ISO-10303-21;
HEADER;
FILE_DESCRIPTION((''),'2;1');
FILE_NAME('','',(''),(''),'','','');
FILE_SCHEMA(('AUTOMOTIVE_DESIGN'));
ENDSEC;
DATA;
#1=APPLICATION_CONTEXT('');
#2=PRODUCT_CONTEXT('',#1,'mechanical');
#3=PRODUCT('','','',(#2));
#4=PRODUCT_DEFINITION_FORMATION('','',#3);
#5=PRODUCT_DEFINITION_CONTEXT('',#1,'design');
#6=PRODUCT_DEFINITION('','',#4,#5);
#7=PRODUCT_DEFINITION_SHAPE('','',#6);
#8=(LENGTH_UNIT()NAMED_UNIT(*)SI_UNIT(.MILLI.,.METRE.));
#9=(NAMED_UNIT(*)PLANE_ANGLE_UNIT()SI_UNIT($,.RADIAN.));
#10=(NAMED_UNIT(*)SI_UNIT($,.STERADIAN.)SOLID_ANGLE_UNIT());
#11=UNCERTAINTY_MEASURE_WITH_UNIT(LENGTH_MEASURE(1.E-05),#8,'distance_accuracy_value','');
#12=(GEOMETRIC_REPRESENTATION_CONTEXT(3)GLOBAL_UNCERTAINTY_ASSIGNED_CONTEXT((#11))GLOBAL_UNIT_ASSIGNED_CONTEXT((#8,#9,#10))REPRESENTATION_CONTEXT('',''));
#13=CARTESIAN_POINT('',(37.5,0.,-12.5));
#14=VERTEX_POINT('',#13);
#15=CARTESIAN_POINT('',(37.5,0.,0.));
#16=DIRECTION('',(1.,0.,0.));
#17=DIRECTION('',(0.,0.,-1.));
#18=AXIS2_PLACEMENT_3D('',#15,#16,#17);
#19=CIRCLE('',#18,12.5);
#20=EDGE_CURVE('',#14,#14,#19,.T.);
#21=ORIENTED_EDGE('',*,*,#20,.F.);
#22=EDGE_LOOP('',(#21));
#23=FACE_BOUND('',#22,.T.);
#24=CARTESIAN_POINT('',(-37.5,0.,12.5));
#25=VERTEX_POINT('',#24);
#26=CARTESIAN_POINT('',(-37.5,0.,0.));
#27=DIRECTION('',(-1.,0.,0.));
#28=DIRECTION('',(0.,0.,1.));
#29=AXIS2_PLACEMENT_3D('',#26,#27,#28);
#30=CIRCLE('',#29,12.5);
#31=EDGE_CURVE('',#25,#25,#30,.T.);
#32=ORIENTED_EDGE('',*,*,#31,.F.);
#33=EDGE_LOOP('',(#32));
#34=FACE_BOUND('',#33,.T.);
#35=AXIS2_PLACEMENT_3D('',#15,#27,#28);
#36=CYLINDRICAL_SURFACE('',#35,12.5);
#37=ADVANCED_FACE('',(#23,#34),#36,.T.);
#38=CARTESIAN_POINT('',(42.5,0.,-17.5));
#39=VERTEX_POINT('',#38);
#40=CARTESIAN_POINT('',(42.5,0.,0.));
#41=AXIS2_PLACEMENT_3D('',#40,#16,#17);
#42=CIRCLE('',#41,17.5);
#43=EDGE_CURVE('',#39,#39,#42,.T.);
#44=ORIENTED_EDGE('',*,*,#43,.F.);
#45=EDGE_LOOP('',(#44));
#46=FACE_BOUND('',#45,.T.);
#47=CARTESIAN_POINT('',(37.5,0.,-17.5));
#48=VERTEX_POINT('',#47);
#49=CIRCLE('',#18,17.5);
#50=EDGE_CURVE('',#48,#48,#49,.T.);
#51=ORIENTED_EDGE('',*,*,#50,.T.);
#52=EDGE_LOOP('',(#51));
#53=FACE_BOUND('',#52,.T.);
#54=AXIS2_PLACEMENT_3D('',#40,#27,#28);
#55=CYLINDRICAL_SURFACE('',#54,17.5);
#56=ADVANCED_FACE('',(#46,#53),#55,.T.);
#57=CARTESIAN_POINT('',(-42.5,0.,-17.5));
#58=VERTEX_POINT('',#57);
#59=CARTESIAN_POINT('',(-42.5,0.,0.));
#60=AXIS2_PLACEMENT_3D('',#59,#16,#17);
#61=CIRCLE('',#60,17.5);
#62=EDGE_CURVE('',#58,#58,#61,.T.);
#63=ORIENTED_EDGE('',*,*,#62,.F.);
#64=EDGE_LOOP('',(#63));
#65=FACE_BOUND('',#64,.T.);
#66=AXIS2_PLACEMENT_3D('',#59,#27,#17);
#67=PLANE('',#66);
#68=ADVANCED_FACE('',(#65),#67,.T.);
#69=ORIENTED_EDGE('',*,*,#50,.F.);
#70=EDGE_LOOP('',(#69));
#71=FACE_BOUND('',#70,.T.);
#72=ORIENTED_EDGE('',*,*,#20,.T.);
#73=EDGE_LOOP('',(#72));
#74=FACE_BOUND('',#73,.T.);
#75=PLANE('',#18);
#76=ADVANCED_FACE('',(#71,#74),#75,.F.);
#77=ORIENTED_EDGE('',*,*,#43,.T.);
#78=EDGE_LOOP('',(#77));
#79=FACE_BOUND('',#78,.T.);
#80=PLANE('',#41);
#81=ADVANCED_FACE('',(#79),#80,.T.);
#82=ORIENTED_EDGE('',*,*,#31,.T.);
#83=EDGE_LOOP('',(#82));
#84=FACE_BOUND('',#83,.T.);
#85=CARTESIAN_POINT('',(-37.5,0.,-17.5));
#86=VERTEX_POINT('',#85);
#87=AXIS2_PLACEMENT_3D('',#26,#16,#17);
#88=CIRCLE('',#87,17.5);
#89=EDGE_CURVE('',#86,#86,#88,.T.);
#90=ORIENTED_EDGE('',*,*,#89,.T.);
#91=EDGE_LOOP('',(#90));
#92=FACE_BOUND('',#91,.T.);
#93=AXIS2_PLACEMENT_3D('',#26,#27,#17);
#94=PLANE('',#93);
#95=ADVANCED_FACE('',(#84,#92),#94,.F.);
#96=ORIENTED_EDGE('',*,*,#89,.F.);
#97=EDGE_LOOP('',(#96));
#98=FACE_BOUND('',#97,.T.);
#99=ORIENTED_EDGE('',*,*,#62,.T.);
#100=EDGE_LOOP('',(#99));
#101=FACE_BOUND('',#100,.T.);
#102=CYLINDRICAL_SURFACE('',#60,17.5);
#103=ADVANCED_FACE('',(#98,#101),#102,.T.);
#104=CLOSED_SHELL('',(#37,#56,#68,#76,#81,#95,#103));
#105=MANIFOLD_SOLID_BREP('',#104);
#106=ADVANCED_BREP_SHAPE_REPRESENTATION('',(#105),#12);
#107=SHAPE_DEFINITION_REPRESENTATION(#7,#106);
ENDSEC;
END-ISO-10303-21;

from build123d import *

# Parameters (mm, degrees)
SKETCH1_R           = 12.5
BOSS_EXTRUDE1_DEPTH = 37.5
SKETCH4_R           = 17.5
BOSS_EXTRUDE3_DEPTH = 5


with BuildPart() as part:
    # Sketch1 → Boss-Extrude1 (new body, symmetric)
    with BuildSketch(Plane(origin=(0, 0, 0), x_dir=(0, 0, -1), z_dir=(1, 0, 0))):
        Circle(SKETCH1_R)
    extrude(amount=BOSS_EXTRUDE1_DEPTH, both=True)

    # Sketch4 → Boss-Extrude3 (add)
    with BuildSketch(Plane(origin=(37.5, 0, 0), x_dir=(0, 0, -1), z_dir=(1, 0, 0))):
        Circle(SKETCH4_R)
    boss_extrude3 = extrude(amount=BOSS_EXTRUDE3_DEPTH)

    # Mirror1: Boss-Extrude3 across plane
    add(boss_extrude3.mirror(Plane(origin=(0, 0, 0), x_dir=(0, 0, 1), z_dir=(1, 0, 0))))


solid = part.part
